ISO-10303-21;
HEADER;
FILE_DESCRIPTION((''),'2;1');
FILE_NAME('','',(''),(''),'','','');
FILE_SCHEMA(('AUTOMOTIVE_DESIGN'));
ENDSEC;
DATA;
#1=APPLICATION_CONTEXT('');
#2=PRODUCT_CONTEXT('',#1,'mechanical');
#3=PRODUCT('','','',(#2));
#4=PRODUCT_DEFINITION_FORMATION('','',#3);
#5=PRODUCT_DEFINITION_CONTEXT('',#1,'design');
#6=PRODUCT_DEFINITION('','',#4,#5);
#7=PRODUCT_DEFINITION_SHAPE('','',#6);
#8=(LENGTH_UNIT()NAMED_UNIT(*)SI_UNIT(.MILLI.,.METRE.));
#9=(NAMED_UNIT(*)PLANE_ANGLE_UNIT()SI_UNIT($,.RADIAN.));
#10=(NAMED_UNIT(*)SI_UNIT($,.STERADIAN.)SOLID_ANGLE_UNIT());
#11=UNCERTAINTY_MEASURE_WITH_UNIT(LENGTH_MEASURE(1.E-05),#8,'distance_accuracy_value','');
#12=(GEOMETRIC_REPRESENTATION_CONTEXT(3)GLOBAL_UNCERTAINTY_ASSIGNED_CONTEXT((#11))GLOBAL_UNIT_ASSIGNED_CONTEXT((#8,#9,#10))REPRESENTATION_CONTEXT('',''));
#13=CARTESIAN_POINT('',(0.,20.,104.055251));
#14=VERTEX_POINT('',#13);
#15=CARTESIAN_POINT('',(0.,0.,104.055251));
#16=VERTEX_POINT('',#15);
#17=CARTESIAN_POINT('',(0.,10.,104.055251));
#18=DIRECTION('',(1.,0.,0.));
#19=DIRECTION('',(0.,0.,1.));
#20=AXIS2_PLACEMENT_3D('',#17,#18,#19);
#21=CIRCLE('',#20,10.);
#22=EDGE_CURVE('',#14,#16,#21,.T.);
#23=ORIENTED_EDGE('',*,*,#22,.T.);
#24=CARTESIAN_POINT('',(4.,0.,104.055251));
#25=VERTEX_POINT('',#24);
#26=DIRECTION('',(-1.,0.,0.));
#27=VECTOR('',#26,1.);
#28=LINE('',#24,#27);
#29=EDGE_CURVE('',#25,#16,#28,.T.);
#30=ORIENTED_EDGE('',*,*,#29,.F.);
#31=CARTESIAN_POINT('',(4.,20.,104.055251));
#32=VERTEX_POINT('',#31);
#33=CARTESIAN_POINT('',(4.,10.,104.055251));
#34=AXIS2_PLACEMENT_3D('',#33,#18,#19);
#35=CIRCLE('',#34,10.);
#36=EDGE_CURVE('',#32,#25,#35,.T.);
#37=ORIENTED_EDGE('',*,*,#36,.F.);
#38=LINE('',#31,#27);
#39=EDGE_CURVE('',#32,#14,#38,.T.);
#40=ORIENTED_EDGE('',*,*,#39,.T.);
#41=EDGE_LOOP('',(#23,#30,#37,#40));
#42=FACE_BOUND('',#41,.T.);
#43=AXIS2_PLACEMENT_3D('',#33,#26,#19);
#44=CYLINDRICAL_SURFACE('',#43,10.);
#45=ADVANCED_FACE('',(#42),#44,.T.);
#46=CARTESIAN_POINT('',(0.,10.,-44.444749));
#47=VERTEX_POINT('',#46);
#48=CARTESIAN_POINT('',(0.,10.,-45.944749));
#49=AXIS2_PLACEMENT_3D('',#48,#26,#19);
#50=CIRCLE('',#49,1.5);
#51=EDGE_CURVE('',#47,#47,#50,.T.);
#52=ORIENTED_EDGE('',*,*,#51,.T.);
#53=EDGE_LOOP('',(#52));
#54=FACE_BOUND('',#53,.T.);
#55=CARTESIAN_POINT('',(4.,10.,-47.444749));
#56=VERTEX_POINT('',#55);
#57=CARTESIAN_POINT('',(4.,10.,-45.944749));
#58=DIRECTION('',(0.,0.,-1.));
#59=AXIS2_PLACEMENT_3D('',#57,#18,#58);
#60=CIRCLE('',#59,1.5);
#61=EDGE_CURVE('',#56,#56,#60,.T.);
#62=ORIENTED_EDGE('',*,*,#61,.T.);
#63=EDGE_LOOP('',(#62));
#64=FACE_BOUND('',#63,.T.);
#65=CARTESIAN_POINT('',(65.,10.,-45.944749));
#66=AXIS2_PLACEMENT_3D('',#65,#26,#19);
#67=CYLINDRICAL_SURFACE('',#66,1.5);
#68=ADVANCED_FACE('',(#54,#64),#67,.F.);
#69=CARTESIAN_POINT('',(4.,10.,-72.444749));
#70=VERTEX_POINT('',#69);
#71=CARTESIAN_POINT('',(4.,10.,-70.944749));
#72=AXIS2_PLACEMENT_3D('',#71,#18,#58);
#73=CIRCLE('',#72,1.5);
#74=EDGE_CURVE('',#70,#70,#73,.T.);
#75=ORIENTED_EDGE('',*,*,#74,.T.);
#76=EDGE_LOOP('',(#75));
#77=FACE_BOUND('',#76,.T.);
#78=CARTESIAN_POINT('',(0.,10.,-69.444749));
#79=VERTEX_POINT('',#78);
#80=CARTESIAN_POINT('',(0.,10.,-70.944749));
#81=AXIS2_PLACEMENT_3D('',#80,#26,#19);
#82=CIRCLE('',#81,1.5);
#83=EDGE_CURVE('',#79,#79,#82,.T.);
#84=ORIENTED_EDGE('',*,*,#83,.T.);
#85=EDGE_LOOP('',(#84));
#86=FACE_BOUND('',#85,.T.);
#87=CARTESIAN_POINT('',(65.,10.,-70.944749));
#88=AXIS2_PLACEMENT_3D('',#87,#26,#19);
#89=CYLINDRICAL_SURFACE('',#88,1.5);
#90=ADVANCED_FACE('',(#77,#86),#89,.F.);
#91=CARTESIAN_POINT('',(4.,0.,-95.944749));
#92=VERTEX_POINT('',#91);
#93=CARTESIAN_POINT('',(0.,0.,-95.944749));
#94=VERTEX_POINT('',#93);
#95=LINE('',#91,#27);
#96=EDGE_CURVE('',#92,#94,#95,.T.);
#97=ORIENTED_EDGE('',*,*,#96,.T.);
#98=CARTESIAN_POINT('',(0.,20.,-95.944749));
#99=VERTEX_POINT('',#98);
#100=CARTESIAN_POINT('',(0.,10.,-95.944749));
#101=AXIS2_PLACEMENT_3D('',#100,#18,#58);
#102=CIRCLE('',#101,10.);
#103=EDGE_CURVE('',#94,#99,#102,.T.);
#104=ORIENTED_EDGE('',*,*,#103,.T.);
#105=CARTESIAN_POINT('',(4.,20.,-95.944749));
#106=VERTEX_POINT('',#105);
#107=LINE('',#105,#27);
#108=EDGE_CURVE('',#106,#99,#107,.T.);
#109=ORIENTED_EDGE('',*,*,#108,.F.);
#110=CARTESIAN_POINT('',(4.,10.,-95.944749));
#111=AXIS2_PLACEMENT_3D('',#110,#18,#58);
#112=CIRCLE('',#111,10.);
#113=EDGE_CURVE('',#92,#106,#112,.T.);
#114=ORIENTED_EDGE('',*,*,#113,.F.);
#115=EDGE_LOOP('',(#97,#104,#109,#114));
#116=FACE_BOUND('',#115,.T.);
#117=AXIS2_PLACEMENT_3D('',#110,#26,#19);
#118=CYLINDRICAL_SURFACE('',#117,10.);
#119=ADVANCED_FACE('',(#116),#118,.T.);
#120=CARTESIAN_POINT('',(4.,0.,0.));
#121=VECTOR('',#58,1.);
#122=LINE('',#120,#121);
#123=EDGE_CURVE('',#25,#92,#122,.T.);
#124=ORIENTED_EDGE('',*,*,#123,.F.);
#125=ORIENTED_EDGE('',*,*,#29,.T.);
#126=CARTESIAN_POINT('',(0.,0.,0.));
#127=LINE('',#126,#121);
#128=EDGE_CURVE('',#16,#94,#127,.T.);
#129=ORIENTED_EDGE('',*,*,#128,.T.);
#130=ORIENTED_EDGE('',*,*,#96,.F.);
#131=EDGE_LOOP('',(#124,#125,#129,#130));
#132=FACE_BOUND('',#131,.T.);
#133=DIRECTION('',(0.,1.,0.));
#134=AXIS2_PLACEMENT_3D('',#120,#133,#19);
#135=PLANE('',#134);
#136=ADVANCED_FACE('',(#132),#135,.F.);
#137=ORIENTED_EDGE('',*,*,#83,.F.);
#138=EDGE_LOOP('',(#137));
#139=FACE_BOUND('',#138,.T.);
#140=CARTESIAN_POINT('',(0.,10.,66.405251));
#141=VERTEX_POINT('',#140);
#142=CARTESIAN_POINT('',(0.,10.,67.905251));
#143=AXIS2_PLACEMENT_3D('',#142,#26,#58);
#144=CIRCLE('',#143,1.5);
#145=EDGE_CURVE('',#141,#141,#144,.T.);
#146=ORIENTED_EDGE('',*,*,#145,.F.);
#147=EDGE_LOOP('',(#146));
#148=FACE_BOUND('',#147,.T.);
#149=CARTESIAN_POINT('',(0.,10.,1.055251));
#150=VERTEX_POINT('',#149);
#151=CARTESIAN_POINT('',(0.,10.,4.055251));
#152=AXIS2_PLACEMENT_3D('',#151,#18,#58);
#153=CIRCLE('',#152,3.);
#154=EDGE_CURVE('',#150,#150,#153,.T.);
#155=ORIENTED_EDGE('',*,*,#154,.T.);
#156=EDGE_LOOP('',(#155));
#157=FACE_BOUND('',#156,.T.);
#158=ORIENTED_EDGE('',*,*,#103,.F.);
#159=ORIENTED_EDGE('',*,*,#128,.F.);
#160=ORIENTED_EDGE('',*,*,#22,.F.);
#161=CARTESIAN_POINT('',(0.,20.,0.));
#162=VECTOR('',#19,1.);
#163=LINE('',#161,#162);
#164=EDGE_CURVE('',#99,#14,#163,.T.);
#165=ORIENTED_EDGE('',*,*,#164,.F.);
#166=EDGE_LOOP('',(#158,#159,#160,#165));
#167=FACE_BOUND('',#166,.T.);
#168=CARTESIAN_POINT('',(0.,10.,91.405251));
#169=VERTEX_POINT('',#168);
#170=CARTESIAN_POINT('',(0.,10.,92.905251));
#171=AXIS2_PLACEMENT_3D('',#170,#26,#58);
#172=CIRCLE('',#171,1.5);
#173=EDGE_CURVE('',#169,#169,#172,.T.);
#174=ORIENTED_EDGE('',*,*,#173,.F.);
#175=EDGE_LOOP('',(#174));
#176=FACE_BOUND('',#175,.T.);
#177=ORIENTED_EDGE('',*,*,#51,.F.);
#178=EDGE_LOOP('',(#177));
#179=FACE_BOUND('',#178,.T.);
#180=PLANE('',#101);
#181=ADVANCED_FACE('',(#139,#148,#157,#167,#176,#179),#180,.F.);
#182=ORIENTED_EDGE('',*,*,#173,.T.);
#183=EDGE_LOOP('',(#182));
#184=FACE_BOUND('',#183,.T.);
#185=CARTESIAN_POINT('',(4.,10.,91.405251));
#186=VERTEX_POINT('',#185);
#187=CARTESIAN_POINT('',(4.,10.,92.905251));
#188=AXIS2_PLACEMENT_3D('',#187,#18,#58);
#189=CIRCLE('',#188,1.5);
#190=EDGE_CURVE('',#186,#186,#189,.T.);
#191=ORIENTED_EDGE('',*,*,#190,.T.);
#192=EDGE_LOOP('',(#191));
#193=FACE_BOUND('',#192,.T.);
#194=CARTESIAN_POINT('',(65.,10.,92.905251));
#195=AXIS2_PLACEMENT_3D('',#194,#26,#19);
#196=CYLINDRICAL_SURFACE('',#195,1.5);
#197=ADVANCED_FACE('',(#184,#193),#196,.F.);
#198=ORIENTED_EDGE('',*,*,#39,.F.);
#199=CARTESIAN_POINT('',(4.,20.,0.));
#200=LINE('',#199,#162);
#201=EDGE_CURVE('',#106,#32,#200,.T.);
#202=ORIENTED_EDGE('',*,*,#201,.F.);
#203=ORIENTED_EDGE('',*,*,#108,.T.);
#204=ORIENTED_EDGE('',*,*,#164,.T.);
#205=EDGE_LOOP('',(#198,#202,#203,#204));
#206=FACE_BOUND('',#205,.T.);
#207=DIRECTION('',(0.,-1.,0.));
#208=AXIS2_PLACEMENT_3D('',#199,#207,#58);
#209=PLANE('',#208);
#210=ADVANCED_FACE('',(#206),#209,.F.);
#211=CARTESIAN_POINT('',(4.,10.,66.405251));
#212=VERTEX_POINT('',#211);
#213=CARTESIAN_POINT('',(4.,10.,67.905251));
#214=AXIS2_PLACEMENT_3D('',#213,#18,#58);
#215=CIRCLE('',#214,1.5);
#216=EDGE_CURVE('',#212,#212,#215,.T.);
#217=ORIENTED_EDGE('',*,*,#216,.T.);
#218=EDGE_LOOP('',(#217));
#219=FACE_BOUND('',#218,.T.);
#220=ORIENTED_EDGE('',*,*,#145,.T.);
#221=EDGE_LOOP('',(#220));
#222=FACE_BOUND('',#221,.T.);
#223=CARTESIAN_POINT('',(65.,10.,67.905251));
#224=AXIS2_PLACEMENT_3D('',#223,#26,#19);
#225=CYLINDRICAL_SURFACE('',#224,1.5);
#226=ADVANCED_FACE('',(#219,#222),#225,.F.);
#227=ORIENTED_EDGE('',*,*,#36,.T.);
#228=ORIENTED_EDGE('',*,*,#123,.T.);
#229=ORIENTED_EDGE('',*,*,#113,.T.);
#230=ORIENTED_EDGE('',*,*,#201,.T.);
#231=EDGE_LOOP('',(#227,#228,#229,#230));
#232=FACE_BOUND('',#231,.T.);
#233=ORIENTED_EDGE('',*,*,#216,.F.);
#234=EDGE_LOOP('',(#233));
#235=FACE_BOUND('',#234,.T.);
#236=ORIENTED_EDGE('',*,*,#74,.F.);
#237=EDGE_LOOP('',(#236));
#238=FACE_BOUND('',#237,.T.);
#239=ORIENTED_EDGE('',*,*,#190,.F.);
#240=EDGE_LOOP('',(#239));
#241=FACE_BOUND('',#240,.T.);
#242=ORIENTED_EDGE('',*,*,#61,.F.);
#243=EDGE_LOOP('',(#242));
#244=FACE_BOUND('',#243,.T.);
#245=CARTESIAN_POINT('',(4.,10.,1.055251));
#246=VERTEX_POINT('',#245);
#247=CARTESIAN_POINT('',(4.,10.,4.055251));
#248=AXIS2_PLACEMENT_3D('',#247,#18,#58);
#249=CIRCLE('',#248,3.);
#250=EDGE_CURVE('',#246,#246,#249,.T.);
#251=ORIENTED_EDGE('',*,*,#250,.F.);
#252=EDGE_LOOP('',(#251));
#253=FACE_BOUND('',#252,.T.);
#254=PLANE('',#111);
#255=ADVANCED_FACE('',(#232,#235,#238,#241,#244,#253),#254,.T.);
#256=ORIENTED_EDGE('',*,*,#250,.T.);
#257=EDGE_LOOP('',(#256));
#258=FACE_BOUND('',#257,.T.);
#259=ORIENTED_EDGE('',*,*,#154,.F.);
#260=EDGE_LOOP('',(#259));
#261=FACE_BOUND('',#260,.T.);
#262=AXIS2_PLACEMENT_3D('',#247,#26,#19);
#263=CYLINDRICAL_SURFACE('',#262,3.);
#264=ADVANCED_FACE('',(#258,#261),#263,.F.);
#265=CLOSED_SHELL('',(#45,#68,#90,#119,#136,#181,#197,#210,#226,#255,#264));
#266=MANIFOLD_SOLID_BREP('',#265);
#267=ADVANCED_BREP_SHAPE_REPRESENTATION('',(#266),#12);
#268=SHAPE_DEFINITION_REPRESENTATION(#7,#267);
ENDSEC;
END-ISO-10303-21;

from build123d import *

# Parameters (mm, degrees)
CROQUIS1_R              = 3
SALIENTE_EXTRUIR1_DEPTH = 4
CROQUIS5_R              = 1.5
CORTAR_EXTRUIR4_DEPTH   = 65


with BuildPart() as part:
    # Croquis1 → Saliente-Extruir1 (new body)
    with BuildSketch(Plane(origin=(0, 0, 0), x_dir=(0, 0, -1), z_dir=(1, 0, 0))):
        with BuildLine():
            Line((0, 0), (-104.055250837, 0))
            ThreePointArc((-104.055250837, 0), (-114.055250837, 10), (-104.055250837, 20))
            Line((-104.055250837, 20), (0, 20))
            Line((0, 20), (95.944749163, 20))
            ThreePointArc((95.944749163, 20), (105.944749163, 10), (95.944749163, 0))
            Line((95.944749163, 0), (0, 0))
        make_face()
        with Locations((-4.055250837, 10)):
            Circle(CROQUIS1_R, mode=Mode.SUBTRACT)
    extrude(amount=SALIENTE_EXTRUIR1_DEPTH)

    # Croquis5 → Cortar-Extruir4 (cut)
    with BuildSketch(Plane.ZY):
        with Locations((-70.944749163, 10)):
            Circle(CROQUIS5_R)
        with Locations((-45.944749163, 10)):
            Circle(CROQUIS5_R)
        with Locations(Location((67.905250837, 10, 0), (0, 0, 180))):
            Circle(CROQUIS5_R)
        with Locations(Location((92.905250837, 10, 0), (0, 0, 180))):
            Circle(CROQUIS5_R)
    extrude(amount=-CORTAR_EXTRUIR4_DEPTH, mode=Mode.SUBTRACT)


solid = part.part
